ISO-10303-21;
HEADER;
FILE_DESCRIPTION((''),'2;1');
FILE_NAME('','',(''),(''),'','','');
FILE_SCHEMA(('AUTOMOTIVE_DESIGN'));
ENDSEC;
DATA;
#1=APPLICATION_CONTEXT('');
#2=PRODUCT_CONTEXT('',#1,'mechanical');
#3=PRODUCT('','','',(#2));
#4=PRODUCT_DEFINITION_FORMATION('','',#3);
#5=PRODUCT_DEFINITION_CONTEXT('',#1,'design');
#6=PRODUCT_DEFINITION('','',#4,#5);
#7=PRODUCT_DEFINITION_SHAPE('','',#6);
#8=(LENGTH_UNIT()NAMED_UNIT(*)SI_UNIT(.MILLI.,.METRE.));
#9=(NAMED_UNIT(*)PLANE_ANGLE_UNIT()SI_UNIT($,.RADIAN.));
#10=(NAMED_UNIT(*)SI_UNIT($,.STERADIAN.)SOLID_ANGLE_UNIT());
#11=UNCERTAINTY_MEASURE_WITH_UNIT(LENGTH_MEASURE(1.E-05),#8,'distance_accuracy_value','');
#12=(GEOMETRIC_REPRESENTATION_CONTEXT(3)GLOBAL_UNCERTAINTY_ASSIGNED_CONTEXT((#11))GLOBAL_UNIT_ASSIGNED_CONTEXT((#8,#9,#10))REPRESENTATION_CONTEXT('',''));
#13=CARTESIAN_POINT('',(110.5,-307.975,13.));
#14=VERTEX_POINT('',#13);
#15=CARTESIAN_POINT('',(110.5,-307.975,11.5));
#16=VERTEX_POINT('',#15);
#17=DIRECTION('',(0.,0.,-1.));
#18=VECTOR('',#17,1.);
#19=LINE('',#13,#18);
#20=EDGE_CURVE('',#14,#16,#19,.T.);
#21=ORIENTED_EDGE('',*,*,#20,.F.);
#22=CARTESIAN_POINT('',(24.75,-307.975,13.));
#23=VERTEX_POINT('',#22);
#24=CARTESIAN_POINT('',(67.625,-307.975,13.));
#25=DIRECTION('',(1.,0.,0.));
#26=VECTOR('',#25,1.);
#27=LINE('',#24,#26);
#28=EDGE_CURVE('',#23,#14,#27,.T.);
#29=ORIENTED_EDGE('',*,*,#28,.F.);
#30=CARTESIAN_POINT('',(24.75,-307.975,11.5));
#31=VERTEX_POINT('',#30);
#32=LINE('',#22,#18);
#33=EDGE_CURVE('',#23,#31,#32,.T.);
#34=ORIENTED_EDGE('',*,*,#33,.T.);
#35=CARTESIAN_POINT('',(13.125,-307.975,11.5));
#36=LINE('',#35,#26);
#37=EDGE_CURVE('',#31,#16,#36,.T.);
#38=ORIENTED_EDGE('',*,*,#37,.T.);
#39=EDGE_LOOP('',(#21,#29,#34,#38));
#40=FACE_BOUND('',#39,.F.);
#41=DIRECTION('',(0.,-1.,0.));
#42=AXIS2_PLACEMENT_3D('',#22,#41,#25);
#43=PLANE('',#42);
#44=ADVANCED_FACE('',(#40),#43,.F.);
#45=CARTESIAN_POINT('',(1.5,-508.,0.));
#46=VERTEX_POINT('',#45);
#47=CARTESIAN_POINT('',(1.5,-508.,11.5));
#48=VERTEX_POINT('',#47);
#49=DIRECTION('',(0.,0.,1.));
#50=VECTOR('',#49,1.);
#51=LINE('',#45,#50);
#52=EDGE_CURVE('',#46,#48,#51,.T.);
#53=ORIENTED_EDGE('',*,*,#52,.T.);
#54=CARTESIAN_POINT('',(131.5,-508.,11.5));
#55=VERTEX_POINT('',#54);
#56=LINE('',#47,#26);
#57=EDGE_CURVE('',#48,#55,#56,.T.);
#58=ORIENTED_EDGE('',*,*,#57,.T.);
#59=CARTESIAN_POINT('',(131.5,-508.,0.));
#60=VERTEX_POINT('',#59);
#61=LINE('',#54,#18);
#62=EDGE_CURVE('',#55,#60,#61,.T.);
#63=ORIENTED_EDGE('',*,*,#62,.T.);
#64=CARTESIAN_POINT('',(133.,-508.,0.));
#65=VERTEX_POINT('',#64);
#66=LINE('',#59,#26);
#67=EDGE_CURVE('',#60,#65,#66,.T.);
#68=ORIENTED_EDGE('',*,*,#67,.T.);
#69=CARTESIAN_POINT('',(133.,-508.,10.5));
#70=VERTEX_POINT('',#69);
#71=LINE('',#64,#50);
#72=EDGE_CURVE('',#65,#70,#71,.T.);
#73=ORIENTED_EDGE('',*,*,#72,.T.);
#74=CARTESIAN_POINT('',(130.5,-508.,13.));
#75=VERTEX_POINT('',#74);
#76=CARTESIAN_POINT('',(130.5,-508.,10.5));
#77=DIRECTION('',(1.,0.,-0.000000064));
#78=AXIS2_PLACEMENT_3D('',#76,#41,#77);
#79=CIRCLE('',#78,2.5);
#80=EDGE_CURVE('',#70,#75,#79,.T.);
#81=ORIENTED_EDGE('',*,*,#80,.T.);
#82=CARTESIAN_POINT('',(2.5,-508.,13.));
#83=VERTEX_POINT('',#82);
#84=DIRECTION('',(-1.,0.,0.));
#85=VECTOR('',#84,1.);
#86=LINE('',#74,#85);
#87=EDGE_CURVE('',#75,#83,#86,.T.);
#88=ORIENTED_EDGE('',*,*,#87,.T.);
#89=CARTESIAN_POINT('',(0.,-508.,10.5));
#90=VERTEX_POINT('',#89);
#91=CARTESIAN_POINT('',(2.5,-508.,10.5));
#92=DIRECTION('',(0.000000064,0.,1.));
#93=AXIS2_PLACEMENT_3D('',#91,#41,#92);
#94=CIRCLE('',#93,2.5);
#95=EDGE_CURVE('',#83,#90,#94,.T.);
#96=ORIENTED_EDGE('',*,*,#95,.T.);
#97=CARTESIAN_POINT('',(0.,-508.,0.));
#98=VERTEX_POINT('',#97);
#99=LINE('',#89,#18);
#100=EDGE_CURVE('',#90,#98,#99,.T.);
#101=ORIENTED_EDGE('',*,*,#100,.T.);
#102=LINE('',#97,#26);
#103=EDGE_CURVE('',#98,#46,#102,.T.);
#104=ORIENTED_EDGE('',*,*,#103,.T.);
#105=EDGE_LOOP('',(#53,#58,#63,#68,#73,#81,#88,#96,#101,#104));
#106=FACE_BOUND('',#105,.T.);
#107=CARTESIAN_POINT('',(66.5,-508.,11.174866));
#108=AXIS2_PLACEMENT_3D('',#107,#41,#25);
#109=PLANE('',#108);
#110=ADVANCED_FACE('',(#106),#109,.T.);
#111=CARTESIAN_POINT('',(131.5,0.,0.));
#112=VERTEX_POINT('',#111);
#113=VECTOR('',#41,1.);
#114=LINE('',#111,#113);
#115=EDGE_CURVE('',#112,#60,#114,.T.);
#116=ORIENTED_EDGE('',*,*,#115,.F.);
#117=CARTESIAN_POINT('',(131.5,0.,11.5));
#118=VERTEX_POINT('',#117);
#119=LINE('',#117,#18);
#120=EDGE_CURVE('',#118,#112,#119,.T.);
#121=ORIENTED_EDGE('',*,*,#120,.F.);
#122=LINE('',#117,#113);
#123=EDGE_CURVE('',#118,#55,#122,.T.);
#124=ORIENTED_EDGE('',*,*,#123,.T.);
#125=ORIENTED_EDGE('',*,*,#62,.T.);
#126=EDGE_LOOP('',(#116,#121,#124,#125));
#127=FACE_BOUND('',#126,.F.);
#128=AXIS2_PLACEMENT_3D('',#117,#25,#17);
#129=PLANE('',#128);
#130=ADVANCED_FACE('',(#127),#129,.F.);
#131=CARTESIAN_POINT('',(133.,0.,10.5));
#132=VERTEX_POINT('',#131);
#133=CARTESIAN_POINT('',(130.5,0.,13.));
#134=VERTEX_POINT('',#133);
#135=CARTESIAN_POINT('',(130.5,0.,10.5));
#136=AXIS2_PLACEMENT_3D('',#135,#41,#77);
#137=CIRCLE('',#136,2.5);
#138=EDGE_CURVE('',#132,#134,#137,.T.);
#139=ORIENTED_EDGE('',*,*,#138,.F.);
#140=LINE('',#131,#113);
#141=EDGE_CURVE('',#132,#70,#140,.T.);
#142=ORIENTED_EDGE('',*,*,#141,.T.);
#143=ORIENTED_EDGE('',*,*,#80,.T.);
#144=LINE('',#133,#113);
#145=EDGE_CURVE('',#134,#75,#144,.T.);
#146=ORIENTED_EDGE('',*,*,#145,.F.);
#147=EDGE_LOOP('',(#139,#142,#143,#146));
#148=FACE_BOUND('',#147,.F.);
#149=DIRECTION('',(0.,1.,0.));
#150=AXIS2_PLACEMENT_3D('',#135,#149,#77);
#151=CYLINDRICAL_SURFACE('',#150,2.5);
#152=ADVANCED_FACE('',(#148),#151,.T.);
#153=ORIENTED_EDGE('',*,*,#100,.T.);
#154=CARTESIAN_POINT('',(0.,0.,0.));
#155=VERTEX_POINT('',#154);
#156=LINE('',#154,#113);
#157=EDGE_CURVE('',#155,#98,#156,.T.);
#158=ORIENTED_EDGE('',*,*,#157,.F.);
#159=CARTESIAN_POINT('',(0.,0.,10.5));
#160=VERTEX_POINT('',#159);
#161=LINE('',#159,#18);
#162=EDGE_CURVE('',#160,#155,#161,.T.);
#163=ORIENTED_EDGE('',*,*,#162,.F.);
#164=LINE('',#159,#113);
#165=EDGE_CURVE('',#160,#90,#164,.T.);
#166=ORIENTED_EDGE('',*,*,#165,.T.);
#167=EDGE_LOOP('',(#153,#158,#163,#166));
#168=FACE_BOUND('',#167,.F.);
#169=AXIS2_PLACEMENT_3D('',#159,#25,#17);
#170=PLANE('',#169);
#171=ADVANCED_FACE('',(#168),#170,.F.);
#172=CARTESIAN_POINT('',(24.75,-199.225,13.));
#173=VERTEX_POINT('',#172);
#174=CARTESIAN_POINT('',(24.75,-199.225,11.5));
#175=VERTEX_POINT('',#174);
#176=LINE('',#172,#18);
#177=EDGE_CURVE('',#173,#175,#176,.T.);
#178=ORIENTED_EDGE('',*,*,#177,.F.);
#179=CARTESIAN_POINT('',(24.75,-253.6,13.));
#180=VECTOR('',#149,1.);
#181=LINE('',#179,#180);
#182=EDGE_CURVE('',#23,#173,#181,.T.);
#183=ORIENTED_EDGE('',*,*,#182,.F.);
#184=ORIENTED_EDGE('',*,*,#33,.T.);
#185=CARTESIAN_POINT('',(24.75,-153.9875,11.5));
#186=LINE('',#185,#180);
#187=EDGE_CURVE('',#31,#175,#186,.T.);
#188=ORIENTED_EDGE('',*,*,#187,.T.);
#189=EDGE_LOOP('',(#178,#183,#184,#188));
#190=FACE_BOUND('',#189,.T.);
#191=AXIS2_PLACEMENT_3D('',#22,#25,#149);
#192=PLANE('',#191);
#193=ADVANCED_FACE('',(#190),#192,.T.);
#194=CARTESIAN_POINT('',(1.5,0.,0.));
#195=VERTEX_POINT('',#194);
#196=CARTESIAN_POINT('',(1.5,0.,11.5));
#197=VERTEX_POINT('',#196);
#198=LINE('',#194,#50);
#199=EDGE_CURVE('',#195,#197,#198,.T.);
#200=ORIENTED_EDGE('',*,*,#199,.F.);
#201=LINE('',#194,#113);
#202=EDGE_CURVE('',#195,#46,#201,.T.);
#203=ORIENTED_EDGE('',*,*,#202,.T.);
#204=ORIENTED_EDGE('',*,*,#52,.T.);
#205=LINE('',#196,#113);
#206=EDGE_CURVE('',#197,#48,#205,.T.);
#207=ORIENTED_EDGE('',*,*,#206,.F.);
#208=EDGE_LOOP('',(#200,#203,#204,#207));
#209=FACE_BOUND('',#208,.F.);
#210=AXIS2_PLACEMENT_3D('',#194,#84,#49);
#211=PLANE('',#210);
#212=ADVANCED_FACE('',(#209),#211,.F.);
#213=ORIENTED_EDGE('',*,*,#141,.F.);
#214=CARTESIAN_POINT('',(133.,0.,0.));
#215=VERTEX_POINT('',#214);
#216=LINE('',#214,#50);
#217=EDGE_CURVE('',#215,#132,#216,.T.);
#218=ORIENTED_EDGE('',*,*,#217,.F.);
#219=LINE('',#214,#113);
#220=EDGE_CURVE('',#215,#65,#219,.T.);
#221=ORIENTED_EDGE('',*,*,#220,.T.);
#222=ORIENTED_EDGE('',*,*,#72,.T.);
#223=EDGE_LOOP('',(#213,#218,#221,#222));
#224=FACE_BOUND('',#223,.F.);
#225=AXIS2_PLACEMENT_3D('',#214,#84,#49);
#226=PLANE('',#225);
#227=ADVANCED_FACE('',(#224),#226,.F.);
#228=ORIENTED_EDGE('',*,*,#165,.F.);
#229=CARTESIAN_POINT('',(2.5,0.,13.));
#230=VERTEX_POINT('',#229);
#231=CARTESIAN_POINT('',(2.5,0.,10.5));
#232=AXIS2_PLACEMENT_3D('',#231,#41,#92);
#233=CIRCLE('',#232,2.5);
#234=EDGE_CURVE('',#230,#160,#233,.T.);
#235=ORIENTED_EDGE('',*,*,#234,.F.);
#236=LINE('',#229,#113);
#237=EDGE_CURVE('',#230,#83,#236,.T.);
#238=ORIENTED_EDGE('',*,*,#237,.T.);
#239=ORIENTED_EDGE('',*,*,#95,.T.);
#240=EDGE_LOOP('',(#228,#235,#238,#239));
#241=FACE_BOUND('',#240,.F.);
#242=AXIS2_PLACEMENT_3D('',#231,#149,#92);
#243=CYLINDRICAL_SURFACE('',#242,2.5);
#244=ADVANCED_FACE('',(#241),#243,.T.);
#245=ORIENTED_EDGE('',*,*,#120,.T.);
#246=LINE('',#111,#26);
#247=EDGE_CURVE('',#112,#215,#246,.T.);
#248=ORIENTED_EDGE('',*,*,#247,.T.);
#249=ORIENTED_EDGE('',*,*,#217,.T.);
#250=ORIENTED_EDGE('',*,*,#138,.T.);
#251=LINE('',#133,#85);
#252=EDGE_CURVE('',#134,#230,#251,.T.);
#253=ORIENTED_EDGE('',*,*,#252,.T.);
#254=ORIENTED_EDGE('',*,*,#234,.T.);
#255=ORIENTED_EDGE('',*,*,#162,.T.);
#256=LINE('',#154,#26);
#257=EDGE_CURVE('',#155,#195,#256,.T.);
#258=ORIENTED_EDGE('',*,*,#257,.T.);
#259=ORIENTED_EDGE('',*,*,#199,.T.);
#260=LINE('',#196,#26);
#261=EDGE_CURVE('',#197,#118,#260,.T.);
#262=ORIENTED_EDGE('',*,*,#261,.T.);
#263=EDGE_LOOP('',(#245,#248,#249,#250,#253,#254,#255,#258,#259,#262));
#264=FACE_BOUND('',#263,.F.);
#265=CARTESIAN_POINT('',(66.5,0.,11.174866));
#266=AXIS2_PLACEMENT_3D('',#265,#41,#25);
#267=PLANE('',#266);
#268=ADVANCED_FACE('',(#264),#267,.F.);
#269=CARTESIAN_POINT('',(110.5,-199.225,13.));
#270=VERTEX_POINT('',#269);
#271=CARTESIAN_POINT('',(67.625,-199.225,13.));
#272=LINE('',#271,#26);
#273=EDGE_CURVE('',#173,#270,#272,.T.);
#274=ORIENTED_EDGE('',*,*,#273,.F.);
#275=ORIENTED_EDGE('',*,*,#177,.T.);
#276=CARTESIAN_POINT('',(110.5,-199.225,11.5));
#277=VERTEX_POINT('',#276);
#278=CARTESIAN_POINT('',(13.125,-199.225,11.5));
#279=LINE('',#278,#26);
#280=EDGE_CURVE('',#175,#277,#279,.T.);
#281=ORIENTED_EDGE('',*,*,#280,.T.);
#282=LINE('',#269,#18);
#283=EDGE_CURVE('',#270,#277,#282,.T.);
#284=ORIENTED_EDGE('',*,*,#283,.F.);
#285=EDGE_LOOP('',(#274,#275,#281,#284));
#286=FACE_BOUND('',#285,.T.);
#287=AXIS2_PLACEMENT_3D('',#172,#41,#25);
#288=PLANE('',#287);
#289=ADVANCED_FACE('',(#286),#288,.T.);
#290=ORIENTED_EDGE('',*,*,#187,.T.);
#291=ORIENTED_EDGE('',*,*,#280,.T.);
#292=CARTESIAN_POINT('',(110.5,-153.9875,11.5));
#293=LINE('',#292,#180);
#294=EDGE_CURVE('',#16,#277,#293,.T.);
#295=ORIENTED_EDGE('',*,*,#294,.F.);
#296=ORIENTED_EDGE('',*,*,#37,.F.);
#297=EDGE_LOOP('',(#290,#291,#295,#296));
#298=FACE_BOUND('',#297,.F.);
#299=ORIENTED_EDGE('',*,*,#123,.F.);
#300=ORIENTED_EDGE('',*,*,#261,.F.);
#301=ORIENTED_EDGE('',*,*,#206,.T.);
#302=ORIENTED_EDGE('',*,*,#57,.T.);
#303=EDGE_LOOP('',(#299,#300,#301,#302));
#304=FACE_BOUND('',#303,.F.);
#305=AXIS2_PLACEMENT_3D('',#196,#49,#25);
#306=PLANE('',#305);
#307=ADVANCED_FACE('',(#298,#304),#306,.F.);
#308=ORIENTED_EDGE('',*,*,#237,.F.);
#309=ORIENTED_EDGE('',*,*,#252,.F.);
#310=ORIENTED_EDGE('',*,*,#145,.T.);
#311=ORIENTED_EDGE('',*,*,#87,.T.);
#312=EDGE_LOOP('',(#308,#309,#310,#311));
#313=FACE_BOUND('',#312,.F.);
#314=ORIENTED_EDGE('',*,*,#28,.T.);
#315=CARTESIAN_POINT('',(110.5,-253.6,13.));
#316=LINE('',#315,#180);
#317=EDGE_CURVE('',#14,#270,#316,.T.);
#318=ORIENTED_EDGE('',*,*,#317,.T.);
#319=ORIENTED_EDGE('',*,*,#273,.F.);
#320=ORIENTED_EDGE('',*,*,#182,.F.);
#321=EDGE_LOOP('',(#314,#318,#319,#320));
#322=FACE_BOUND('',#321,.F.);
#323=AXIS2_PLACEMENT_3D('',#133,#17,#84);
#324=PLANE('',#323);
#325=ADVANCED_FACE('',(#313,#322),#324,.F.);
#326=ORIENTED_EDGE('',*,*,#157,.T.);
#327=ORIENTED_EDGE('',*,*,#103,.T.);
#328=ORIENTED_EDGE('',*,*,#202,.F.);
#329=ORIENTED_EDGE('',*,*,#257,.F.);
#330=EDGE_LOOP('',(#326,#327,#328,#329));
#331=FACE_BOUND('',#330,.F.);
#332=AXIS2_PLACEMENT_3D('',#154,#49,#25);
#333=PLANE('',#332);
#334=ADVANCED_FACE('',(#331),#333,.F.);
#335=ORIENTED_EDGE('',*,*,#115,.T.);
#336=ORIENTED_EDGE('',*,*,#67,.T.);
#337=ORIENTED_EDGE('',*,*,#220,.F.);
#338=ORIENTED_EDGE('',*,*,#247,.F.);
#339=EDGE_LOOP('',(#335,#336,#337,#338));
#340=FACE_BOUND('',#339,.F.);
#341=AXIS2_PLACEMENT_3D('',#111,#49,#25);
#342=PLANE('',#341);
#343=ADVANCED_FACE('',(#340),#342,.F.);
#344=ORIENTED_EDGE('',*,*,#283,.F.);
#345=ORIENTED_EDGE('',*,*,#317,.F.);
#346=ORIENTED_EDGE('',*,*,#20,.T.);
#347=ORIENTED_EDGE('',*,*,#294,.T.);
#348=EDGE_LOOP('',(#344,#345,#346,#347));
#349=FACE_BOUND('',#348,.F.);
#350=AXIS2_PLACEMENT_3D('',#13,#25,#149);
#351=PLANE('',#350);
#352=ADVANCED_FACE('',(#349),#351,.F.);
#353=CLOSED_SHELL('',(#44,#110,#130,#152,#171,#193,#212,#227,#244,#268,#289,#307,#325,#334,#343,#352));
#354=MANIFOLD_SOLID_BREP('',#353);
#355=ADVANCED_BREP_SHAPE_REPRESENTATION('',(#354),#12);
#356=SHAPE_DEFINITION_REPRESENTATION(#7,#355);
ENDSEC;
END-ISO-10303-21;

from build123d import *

# Parameters (mm, degrees)
F1_DEPTH = 508
F2_W     = 85.75
F2_H     = 108.75
F3_DEPTH = 25


with BuildPart() as f1:
    # F0 (on Front) → F1 (new body)
    with BuildSketch(Plane.XZ):
        with BuildLine():
            Line((0, 10.5), (0, 0))
            Line((0, 0), (1.5, 0))
            Line((1.5, 0), (1.5, 11.5))
            Line((1.5, 11.5), (131.5, 11.5))
            Line((131.5, 11.5), (131.5, 0))
            Line((131.5, 0), (133, 0))
            Line((133, 0), (133, 10.5))
            ThreePointArc((133, 10.5), (132.267767, 12.267767), (130.5, 13))
            Line((130.5, 13), (2.5, 13))
            ThreePointArc((2.5, 13), (0.732233, 12.267767), (0, 10.5))
        make_face()
    extrude(amount=F1_DEPTH)

    # F2 (on face) → F3 (cut)
    with BuildSketch(Plane.XY.offset(13)):
        with Locations((67.625, -253.6)):
            Rectangle(F2_W, F2_H)
    extrude(amount=-F3_DEPTH, mode=Mode.SUBTRACT)


solid = f1.part
